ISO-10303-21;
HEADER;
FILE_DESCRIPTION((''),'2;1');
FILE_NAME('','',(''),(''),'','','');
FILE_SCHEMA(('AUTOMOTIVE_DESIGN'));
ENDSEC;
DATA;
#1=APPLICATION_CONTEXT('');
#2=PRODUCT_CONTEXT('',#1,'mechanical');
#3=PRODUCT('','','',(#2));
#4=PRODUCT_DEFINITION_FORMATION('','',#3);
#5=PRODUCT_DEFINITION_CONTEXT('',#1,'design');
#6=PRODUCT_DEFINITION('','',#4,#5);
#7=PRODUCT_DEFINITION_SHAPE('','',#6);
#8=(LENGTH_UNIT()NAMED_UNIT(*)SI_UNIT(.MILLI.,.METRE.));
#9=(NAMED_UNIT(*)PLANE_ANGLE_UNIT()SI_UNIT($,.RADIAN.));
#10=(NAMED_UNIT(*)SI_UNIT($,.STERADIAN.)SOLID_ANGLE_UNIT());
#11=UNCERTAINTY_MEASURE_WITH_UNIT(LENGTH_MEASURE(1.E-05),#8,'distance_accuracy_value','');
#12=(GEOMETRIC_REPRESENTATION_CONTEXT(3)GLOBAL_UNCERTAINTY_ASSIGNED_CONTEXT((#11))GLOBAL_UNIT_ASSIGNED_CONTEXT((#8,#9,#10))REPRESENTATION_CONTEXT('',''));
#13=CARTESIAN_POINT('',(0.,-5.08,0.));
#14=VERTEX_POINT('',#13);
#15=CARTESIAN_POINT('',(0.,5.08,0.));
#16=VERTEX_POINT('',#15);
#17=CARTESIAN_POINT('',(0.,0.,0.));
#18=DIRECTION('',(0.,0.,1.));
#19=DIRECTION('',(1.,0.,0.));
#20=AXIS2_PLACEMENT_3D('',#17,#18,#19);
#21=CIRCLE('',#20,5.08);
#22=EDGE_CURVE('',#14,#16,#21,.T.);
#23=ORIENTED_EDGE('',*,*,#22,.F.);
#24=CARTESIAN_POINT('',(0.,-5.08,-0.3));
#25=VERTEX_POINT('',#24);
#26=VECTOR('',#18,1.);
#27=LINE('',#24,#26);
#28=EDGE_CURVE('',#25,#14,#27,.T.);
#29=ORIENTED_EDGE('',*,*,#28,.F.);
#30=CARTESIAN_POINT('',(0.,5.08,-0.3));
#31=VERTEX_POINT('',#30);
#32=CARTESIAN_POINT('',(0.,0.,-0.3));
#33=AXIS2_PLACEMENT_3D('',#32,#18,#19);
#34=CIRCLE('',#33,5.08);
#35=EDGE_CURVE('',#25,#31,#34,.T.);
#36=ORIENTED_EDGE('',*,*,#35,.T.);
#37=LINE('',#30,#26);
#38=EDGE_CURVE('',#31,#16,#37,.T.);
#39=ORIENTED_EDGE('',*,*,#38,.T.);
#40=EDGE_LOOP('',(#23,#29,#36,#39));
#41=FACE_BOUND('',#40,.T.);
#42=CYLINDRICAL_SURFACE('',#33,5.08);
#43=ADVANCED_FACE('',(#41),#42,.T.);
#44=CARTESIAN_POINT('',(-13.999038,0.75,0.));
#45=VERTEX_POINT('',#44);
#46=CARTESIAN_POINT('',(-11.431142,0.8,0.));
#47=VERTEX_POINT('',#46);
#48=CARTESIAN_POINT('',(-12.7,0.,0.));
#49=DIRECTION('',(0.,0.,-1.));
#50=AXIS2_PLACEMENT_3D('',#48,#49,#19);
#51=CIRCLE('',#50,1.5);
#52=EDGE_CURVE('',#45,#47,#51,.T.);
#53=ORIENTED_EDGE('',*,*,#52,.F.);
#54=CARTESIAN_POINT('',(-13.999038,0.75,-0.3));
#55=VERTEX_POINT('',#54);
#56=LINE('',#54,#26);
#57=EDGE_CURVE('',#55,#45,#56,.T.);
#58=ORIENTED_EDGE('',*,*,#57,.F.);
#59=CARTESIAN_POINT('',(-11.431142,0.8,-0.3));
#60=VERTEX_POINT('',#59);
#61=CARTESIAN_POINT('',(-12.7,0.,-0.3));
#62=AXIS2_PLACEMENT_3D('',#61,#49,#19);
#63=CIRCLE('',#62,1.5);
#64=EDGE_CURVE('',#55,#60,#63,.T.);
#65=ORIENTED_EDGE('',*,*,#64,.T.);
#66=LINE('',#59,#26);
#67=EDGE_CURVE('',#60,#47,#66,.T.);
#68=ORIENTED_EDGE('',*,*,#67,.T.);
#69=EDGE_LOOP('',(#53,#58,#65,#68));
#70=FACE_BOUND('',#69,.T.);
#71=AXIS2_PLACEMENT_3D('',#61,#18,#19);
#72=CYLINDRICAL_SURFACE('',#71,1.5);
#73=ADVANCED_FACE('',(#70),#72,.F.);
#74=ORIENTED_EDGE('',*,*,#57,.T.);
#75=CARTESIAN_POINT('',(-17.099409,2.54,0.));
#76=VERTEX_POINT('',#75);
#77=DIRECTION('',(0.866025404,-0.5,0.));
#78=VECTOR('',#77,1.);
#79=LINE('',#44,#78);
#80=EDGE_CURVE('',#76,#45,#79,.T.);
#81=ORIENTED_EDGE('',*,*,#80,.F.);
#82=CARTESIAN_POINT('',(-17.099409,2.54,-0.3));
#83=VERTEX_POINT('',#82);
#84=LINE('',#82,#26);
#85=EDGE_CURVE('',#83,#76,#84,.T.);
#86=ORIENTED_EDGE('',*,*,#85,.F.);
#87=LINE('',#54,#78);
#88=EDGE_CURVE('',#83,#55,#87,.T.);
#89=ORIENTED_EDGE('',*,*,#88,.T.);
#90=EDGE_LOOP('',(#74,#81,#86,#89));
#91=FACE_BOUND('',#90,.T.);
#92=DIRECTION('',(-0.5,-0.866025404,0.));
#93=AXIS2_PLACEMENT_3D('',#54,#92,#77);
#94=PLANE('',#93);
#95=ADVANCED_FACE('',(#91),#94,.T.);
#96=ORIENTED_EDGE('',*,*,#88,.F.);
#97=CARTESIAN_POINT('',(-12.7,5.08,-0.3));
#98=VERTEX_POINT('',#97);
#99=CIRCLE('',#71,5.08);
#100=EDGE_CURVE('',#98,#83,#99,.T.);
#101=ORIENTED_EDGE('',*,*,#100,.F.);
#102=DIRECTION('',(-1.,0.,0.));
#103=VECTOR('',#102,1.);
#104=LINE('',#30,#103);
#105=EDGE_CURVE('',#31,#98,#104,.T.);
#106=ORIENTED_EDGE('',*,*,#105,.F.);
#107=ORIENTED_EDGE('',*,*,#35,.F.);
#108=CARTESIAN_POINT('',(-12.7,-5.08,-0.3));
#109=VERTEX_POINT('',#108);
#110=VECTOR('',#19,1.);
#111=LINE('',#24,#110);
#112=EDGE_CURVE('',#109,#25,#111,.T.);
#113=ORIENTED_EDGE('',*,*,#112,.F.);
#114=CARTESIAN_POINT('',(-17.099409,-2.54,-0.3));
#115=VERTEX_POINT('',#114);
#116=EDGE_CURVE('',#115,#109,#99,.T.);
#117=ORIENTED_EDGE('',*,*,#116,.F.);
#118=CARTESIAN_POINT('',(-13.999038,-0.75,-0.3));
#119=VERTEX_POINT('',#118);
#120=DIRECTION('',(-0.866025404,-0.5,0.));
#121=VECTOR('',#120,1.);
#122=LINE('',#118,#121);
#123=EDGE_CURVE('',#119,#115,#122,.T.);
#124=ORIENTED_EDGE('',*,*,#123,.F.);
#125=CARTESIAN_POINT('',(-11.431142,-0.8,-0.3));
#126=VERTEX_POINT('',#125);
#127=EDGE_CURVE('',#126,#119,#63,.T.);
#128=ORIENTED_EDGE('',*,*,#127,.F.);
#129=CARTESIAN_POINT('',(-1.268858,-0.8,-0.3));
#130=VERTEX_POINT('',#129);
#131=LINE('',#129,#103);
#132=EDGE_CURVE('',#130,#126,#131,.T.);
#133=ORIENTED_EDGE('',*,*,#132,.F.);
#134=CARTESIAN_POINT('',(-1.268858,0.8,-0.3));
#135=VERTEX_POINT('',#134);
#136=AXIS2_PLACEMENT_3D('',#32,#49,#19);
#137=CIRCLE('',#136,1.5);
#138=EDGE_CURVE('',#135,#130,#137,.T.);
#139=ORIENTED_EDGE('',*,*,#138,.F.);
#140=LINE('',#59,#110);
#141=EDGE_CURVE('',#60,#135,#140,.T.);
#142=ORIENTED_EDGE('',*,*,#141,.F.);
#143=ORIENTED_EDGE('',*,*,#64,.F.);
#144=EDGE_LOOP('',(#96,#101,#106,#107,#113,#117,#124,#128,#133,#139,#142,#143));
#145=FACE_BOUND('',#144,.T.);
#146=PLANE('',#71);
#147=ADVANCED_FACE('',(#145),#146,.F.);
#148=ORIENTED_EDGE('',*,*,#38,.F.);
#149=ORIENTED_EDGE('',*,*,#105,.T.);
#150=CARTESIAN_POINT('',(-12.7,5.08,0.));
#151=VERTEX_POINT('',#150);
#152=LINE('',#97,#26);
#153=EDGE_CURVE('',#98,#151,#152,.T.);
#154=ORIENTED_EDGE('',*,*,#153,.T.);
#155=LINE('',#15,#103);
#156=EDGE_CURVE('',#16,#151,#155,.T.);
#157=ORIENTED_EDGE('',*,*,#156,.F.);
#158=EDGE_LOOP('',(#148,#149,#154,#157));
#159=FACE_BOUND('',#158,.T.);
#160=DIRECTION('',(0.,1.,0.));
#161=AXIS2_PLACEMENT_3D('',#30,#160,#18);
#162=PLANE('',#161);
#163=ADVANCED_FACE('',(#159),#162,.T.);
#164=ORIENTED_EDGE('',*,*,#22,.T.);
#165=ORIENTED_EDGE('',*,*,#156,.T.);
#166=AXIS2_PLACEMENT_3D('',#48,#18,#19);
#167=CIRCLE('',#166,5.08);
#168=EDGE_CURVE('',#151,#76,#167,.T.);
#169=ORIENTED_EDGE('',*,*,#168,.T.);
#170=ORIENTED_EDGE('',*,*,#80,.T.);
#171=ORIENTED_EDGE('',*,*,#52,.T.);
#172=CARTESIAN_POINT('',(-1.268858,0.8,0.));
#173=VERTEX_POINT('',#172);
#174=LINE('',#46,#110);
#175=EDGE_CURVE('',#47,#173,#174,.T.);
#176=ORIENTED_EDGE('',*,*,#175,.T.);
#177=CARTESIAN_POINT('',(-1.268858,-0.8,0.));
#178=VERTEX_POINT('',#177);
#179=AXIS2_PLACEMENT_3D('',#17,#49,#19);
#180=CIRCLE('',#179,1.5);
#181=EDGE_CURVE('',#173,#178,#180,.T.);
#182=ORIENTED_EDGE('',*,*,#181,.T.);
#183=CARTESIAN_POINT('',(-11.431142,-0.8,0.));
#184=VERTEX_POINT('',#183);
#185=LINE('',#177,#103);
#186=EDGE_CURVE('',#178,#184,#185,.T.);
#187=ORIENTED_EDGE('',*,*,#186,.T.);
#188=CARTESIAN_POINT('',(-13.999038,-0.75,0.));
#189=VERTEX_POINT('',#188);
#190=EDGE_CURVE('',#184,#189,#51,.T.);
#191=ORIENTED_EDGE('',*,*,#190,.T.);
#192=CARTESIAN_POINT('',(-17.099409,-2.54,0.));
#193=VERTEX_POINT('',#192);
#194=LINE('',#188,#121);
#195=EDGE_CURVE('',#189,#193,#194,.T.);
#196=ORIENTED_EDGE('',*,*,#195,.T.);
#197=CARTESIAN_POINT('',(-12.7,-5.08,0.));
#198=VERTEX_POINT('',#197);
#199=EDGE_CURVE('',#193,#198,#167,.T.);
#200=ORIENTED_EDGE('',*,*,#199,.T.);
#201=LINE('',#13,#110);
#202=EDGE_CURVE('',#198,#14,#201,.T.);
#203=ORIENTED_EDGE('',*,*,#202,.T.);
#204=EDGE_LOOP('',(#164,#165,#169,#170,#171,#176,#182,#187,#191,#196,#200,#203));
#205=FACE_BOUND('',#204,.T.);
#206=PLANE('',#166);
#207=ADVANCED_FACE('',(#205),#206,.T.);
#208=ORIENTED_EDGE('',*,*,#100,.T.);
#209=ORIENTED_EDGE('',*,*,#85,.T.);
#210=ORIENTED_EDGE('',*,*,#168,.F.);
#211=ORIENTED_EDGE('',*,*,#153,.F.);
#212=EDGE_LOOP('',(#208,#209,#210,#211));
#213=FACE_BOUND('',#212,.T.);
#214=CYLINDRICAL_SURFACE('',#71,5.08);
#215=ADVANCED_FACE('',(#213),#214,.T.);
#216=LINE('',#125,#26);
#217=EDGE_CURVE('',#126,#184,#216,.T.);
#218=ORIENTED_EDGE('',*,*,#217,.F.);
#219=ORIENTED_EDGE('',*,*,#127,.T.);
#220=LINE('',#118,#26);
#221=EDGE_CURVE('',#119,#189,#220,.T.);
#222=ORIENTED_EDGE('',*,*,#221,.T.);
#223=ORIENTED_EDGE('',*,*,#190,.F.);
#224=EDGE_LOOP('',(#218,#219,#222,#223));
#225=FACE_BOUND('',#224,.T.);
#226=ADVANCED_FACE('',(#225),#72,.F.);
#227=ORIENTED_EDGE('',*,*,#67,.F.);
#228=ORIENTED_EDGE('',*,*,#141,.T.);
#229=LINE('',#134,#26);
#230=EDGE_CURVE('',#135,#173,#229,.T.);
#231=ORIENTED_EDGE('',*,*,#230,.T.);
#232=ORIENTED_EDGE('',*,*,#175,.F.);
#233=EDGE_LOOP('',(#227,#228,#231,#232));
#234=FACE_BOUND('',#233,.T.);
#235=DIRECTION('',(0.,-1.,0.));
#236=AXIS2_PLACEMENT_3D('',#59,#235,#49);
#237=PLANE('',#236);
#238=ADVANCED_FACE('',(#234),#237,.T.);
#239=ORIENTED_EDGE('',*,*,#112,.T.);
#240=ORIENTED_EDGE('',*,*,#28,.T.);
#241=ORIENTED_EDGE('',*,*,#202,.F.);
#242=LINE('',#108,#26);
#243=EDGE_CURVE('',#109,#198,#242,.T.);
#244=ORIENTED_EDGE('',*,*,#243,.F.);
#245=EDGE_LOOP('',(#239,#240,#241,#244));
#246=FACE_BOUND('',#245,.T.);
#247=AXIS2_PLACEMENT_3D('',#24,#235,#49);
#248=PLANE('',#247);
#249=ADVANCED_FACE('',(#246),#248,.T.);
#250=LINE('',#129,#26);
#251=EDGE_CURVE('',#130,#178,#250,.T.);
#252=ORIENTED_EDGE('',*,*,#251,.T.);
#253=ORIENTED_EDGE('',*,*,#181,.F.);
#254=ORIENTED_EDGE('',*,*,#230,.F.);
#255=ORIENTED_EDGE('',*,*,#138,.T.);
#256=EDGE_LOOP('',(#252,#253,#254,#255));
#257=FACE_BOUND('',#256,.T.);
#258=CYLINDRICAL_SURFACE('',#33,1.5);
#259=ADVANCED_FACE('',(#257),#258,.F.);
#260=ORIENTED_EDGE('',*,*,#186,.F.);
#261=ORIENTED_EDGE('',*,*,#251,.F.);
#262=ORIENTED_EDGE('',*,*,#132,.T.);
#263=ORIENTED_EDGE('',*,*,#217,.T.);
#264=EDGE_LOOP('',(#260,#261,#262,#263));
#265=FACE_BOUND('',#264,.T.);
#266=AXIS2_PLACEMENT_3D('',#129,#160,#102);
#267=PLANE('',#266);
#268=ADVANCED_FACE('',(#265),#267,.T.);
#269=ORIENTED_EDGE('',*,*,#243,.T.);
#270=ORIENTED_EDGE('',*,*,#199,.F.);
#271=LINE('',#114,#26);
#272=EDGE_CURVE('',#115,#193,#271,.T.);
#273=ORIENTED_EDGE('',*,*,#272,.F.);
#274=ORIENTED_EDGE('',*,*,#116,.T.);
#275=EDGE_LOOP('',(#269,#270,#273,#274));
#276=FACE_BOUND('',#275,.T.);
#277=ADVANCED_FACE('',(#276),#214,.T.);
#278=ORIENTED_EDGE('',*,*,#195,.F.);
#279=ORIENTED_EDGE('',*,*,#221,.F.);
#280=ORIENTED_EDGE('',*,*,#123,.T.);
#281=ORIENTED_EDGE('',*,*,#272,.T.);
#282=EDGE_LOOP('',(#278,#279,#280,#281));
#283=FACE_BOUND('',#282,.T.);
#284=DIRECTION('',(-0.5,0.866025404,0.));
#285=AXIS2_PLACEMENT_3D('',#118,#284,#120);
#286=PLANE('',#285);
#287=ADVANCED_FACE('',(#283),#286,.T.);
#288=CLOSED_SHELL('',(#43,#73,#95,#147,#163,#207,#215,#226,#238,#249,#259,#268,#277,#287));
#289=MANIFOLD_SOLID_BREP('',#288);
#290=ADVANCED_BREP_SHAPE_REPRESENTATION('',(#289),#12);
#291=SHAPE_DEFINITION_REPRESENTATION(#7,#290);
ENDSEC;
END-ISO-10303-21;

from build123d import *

# Parameters (mm, degrees)
EXTRUSION1_DEPTH = 0.3


with BuildPart() as part:
    # Esquisse1 → Extrusion1 (new body)
    with BuildSketch(Plane.XY):
        with BuildLine():
            Line((0, 5.08), (-12.7, 5.08))
            ThreePointArc((-12.7, 5.08), (-15.24, 4.399409051), (-17.099409051, 2.54))
            Line((-17.099409051, 2.54), (-13.999038106, 0.75))
            ThreePointArc((-13.999038106, 0.75), (-12.729201257, 1.499715735), (-11.431142246, 0.8))
            Line((-11.431142246, 0.8), (-1.268857754, 0.8))
            ThreePointArc((-1.268857754, 0.8), (1.5, 0), (-1.268857754, -0.8))
            Line((-1.268857754, -0.8), (-11.431142246, -0.8))
            ThreePointArc((-11.431142246, -0.8), (-12.729201257, -1.499715735), (-13.999038106, -0.75))
            Line((-13.999038106, -0.75), (-17.099409051, -2.54))
            ThreePointArc((-17.099409051, -2.54), (-15.24, -4.399409051), (-12.7, -5.08))
            Line((-12.7, -5.08), (0, -5.08))
            ThreePointArc((0, -5.08), (5.08, 0), (0, 5.08))
        make_face()
    extrude(amount=-EXTRUSION1_DEPTH)


solid = part.part
